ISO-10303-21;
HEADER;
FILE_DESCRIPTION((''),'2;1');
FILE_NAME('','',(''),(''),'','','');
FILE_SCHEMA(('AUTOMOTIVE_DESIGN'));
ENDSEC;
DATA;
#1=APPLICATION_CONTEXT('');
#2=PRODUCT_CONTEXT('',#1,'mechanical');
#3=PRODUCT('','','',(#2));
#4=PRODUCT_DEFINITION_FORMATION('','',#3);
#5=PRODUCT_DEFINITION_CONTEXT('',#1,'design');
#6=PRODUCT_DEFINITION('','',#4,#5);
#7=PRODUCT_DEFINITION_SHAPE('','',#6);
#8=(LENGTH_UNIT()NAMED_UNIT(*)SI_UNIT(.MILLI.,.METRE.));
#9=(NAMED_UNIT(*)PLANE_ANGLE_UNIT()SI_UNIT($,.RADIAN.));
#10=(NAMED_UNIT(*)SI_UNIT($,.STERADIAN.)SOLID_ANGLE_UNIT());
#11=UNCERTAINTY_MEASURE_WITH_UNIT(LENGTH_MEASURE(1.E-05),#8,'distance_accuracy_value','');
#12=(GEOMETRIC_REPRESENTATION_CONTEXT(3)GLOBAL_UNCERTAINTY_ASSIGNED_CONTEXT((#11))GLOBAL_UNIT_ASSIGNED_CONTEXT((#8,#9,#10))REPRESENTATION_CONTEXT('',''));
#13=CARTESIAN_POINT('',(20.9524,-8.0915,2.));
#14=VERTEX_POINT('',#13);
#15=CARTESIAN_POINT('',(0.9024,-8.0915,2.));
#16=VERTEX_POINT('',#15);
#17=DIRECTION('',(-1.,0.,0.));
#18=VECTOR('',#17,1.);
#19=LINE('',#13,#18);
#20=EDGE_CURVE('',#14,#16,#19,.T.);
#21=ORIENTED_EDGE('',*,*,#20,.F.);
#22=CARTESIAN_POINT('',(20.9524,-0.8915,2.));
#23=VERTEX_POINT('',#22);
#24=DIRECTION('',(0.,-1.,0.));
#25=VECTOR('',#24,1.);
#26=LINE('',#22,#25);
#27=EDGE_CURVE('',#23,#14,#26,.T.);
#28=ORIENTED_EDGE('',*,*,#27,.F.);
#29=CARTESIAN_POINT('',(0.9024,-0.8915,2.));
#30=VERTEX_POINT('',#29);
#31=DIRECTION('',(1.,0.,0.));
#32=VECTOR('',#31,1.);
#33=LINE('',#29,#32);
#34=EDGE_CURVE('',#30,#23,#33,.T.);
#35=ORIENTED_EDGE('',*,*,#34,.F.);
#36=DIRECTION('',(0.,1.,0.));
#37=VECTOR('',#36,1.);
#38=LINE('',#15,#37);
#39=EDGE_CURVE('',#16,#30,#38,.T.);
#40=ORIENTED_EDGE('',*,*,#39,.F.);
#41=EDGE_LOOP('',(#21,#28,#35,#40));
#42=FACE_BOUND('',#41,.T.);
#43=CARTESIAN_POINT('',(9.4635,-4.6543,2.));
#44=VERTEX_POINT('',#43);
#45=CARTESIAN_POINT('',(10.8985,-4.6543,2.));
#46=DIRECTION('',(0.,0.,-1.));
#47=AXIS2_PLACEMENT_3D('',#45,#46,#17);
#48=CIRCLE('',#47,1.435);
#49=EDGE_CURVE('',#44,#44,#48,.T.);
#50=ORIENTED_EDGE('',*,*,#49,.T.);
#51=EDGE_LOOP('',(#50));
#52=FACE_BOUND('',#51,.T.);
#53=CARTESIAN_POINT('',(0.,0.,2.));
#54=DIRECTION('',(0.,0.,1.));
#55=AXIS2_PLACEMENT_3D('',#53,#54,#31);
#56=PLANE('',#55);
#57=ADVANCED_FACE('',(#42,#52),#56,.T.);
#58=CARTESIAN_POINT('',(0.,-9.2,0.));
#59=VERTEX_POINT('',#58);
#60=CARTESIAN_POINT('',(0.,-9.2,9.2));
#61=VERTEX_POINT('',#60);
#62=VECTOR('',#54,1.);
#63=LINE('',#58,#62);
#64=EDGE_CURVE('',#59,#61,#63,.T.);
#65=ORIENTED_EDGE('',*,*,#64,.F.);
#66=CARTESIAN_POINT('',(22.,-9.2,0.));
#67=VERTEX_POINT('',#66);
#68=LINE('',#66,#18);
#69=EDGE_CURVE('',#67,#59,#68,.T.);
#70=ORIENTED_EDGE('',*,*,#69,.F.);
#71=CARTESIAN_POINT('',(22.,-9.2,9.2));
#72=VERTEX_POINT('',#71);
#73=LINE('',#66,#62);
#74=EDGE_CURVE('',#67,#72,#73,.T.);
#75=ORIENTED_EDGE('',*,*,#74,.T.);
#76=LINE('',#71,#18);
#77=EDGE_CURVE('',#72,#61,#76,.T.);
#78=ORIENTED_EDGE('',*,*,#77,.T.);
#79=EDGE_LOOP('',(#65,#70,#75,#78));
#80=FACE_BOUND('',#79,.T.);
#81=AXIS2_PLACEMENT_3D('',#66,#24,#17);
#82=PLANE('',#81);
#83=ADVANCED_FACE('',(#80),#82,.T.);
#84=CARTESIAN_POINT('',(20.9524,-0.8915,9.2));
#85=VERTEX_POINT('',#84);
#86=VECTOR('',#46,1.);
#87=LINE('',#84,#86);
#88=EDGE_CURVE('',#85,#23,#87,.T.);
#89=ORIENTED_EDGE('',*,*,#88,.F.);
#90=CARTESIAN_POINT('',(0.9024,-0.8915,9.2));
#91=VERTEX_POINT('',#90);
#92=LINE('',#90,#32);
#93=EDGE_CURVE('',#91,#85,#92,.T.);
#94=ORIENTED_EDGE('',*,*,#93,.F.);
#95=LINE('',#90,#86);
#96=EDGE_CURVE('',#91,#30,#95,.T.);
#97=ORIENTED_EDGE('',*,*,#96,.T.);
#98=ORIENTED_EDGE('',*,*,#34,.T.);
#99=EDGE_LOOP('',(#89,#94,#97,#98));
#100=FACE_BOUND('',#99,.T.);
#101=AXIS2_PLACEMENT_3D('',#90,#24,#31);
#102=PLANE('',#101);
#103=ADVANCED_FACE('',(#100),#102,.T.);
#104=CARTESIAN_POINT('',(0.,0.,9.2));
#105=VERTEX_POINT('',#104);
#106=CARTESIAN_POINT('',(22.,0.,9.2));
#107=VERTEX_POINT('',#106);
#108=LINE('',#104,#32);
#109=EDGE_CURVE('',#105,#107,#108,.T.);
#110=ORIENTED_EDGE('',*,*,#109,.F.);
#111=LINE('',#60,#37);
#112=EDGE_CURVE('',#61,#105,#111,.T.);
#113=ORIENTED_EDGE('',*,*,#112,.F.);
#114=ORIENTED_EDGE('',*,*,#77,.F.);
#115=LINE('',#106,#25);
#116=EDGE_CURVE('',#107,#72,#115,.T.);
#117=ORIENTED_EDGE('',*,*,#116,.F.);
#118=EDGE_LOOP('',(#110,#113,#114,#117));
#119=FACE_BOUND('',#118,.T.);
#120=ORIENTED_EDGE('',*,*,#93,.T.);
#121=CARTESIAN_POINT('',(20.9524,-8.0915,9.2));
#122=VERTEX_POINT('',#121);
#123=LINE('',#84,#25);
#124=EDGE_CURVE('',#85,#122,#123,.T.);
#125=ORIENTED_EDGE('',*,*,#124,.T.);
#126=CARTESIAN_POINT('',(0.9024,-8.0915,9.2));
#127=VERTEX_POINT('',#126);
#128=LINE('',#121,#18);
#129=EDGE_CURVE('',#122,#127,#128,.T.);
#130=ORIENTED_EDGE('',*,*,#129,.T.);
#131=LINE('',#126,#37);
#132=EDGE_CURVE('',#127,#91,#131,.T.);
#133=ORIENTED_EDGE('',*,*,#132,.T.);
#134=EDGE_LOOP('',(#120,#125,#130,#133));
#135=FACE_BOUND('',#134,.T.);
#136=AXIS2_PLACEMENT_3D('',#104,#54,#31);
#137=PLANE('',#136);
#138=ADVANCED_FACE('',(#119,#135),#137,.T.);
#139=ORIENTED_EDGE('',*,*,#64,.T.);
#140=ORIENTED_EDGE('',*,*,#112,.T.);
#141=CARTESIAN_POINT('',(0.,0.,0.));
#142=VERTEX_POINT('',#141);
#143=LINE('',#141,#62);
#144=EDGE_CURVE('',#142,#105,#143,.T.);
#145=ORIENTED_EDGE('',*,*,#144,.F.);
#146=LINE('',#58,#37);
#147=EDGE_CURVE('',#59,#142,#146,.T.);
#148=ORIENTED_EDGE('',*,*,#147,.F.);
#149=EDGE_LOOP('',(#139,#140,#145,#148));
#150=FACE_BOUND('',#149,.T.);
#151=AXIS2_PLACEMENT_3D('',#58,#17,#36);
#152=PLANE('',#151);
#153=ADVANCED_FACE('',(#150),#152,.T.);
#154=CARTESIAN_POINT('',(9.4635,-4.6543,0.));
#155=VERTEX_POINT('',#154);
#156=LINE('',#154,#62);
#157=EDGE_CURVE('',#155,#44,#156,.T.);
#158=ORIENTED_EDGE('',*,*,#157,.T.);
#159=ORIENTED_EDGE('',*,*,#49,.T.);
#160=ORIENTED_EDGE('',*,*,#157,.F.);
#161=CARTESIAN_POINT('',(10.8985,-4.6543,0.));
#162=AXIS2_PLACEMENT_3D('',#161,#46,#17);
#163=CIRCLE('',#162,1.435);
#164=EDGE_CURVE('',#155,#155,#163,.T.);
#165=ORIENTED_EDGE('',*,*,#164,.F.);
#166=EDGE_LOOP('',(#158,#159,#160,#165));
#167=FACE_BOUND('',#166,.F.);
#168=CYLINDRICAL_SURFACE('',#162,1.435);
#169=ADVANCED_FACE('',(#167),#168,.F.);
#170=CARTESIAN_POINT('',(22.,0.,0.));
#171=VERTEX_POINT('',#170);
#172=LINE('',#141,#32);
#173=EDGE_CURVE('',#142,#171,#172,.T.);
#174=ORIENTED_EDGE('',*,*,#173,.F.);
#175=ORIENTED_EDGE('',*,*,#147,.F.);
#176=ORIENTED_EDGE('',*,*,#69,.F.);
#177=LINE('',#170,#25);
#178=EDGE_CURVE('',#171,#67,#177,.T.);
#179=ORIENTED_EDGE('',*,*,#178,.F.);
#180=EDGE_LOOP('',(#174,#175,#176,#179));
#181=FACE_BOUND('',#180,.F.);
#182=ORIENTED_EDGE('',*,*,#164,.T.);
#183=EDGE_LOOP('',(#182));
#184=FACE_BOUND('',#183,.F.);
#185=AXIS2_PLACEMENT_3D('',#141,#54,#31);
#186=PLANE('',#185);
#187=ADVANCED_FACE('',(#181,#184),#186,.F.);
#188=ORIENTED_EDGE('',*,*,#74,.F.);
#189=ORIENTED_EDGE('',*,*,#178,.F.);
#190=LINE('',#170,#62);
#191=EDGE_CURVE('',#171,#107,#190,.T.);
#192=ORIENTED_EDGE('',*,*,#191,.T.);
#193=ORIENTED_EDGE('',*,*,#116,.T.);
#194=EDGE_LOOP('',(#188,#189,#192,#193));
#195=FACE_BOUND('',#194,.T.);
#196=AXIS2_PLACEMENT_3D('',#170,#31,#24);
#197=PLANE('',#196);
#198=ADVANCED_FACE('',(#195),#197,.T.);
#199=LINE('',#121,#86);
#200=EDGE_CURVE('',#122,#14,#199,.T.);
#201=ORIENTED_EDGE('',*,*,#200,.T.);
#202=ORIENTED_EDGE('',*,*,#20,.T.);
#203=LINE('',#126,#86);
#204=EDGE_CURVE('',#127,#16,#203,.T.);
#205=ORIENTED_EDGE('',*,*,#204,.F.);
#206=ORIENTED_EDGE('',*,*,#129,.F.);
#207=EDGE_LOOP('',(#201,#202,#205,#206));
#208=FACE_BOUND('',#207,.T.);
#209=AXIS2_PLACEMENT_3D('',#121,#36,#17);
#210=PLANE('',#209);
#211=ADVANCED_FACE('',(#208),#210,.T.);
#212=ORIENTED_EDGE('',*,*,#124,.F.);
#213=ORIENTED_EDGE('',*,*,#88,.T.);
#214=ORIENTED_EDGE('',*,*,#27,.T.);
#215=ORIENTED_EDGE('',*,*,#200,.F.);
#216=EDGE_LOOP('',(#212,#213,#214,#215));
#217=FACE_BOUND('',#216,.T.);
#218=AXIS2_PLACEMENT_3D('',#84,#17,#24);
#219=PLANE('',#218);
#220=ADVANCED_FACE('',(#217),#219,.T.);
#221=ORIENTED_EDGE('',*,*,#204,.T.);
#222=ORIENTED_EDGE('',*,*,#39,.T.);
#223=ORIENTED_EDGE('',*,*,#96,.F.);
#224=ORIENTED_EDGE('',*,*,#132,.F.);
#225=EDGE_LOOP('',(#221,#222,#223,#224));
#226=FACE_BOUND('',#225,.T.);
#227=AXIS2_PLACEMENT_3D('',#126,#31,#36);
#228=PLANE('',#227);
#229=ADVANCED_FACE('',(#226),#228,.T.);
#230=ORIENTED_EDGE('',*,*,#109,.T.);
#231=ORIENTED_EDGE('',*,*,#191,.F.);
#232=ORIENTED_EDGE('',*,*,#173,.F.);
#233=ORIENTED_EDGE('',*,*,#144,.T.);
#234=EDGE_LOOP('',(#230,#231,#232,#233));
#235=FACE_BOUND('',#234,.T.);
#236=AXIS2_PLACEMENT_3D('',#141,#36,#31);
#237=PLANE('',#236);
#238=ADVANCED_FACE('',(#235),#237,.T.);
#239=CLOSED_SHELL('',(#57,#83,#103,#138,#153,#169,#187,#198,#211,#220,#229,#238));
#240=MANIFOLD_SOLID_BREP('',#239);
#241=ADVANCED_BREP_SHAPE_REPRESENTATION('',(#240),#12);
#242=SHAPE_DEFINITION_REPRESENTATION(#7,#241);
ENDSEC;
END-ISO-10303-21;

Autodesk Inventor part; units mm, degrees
ref_plane "YZ Plane" through (0, 0, 0) normal (1, 0, 0) x (0, 1, 0)
ref_plane "XZ Plane" through (0, 0, 0) normal (0, 1, 0) x (-1, 0, 0)
ref_plane "XY Plane" through (0, 0, 0) normal (0, 0, 1) x (1, 0, 0)
sketch "Sketch1" plane through (0, 0, 0) normal (0, 0, 1) x (1, 0, 0)
  line L0 (0, 0) -> (22, 0)
  line L1 (22, 0) -> (22, -9.2)
  line L2 (22, -9.2) -> (0, -9.2)
  line L3 (0, -9.2) -> (0, 0)
  dimension "d0" = 22
  dimension "d1" = 9.2
extrude "Extrusion1" add sketch "Sketch1" along normal blind 9.2
sketch "Sketch2" plane through (0, 0, 9.2) normal (0, 0, 1) x (1, 0, 0)
  line L0 (0.9024, -0.8915) -> (20.9524, -0.8915)
  line L1 (20.9524, -0.8915) -> (20.9524, -8.0915)
  line L2 (20.9524, -8.0915) -> (0.9024, -8.0915)
  line L3 (0.9024, -8.0915) -> (0.9024, -0.8915)
  point P0 (0, 0)
  dimension "d4" = 20.05
  dimension "d5" = 7.2
extrude "Extrusion2" cut sketch "Sketch2" against normal blind 7.2
sketch "Sketch3" plane through (0, 0, 0) normal (0, 0, -1) x (-1, 0, 0)
  circle A0 centre (-10.8985, -4.6543) radius 1.435
  point P0 (0, 0)
  dimension "d8" = 2.87
extrude "Extrusion3" cut sketch "Sketch3" against normal blind 7.2
properties part number "Fader Cap"
